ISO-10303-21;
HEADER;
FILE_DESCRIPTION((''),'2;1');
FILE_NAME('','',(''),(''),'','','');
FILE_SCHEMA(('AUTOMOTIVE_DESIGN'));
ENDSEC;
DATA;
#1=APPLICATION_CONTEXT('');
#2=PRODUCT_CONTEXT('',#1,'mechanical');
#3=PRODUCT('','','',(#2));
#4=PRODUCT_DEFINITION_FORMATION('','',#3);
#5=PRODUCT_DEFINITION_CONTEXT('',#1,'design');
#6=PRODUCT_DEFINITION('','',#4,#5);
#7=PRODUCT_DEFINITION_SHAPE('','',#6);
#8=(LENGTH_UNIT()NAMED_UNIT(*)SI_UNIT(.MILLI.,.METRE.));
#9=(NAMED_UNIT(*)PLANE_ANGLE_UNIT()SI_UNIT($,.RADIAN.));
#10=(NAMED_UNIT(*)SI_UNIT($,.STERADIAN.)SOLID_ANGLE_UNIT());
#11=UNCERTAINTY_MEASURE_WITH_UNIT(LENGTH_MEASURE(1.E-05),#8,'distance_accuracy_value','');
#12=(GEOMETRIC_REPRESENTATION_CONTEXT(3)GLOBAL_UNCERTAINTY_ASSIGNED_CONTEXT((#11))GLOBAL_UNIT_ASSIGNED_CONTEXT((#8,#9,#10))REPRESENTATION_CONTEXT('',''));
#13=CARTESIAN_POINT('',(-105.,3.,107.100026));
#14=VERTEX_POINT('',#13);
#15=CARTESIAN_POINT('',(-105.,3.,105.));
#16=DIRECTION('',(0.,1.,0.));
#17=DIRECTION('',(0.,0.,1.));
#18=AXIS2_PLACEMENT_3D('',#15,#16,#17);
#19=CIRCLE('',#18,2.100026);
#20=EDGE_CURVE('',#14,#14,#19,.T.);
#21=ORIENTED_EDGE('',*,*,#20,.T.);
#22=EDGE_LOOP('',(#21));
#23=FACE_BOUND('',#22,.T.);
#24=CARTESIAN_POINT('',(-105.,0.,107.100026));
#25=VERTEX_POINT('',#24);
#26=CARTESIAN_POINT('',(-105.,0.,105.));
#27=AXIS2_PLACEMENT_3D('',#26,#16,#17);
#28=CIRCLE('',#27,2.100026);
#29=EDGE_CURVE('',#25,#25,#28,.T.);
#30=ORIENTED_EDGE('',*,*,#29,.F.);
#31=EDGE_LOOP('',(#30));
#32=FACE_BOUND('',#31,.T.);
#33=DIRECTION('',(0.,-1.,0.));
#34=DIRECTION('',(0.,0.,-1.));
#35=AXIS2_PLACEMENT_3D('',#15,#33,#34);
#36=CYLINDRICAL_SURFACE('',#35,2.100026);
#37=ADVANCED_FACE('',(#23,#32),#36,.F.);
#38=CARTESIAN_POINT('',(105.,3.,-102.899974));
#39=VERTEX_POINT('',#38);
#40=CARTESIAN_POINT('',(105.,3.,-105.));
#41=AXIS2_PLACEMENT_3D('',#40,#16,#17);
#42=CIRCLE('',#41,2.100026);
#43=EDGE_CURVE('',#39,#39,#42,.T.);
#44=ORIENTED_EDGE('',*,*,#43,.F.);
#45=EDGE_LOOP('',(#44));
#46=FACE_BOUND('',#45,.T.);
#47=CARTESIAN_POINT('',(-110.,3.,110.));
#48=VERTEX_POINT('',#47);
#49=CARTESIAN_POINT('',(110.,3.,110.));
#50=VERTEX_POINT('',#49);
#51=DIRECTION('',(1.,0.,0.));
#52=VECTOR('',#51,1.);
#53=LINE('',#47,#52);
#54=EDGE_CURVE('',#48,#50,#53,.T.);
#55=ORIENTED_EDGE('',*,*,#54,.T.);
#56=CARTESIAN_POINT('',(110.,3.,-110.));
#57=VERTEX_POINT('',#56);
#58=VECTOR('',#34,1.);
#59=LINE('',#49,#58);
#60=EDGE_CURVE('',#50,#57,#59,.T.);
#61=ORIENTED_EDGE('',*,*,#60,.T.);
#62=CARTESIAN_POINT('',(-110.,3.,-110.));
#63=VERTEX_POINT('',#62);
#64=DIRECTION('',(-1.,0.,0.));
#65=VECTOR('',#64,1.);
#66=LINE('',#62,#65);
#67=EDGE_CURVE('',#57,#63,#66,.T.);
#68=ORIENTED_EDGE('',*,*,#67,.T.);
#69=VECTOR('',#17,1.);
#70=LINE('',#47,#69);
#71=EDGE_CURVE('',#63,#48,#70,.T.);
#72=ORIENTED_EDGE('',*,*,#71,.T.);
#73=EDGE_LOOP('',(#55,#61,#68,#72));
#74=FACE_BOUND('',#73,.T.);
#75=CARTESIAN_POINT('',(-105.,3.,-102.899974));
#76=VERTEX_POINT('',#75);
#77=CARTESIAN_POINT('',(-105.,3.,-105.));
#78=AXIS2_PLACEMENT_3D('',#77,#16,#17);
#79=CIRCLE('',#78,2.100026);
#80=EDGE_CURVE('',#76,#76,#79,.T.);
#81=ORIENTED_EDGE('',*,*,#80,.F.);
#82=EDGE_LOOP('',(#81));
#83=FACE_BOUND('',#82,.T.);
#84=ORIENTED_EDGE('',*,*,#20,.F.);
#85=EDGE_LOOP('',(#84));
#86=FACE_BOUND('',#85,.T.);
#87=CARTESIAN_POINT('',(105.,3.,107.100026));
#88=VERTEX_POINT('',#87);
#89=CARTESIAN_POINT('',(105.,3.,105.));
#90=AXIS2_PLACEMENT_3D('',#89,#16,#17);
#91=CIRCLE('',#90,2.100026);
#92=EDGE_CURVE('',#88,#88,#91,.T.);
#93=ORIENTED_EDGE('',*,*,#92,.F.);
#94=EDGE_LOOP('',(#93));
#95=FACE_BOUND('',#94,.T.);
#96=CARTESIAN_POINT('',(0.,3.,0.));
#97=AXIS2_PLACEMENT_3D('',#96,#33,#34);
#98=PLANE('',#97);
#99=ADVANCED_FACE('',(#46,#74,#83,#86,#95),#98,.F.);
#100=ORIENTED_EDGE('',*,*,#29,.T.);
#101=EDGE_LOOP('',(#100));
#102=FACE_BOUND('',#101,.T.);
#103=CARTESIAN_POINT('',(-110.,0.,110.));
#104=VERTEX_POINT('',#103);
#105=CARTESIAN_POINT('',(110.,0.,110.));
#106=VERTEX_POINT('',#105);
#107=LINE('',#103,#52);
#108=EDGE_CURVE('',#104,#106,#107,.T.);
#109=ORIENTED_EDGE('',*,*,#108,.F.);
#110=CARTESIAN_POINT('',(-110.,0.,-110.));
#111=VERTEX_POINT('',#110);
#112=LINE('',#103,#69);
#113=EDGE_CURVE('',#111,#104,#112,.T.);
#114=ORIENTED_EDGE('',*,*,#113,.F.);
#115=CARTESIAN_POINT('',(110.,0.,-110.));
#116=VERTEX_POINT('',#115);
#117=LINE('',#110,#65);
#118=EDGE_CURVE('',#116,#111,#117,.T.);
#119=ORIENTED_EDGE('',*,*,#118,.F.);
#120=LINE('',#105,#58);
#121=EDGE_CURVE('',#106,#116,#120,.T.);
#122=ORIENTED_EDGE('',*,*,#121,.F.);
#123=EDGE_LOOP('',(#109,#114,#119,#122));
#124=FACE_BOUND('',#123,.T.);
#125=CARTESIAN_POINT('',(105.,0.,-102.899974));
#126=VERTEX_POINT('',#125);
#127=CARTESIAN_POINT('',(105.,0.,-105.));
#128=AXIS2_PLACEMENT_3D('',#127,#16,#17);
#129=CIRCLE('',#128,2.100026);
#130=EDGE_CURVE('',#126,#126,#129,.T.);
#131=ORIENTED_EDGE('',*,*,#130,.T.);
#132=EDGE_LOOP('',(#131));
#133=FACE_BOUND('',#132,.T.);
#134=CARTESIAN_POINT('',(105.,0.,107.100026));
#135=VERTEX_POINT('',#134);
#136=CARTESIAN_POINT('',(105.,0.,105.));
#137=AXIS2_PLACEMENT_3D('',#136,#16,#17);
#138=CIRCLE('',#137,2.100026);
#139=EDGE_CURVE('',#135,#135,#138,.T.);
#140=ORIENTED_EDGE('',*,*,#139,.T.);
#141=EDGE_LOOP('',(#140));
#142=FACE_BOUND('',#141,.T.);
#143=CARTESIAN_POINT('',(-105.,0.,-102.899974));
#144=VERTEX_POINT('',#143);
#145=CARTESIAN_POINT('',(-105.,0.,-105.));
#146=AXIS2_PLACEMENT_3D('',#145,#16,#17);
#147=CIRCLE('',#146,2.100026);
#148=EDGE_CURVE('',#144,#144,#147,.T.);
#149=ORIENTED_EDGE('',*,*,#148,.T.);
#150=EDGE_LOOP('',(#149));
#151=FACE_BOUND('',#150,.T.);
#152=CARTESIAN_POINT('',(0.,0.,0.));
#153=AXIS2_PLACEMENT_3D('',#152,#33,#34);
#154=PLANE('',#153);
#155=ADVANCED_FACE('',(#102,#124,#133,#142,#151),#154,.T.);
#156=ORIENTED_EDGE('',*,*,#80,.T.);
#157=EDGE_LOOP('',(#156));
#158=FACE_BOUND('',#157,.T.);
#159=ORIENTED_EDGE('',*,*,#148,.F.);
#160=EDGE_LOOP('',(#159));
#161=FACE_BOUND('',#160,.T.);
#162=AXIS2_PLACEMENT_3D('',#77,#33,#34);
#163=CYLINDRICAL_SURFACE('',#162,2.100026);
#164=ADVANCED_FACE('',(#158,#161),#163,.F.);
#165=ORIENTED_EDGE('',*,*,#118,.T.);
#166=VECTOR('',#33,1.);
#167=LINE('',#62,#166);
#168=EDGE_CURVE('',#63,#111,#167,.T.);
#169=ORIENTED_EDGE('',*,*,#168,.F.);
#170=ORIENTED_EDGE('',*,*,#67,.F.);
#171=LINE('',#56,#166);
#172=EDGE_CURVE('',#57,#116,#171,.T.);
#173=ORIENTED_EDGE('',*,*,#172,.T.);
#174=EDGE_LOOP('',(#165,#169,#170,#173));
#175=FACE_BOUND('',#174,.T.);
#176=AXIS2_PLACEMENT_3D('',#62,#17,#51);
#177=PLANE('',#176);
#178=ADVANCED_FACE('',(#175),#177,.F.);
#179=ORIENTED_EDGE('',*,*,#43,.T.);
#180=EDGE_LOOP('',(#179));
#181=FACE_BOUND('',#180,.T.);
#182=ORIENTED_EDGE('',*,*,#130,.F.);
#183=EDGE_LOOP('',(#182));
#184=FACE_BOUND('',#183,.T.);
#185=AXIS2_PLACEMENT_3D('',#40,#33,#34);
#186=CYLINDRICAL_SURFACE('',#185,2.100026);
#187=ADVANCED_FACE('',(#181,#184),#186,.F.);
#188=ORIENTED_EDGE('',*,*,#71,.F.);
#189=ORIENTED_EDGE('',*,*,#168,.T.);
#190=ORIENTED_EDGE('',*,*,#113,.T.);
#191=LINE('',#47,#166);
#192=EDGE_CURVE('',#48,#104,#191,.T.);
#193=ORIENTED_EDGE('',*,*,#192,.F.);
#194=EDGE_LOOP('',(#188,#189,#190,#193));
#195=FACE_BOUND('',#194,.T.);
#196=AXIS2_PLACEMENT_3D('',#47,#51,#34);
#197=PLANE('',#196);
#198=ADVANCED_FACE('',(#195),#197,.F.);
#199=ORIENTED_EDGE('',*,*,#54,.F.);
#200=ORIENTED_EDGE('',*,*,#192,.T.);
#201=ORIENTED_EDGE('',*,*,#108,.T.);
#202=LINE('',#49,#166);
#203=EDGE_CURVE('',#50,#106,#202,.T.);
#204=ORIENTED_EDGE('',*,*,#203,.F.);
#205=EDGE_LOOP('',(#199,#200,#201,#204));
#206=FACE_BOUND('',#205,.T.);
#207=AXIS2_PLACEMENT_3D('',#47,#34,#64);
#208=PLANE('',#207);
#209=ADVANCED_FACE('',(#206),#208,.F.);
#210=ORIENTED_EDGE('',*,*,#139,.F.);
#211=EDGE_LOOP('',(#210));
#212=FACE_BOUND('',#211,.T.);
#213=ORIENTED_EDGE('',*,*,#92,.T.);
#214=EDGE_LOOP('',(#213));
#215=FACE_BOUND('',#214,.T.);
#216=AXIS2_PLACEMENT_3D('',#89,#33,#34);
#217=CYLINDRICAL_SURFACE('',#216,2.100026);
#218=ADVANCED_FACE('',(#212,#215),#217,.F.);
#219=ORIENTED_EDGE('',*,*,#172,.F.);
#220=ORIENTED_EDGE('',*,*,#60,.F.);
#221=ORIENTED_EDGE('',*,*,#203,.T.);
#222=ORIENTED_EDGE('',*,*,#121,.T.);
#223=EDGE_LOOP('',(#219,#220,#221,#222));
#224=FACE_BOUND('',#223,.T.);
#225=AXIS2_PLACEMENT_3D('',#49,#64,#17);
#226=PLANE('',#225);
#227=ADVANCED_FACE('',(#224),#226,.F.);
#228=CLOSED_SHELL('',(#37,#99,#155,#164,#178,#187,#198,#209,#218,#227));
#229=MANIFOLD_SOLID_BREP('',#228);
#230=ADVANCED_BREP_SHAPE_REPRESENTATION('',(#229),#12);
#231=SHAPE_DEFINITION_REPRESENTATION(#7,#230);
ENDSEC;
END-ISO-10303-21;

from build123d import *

# Parameters (mm, degrees)
SKETCH1_W           = 220
SKETCH1_H           = 220
SKETCH1_R           = 2.100025747
BOSS_EXTRUDE1_DEPTH = 3


with BuildPart() as part:
    # Sketch1 → Boss-Extrude1 (new body)
    with BuildSketch(Plane(origin=(0, 0, 0), x_dir=(1, 0, 0), z_dir=(0, 1, 0))):
        Rectangle(SKETCH1_W, SKETCH1_H)
        with Locations(Location((-105, 105, 0), (0, 0, 270))):
            Circle(SKETCH1_R, mode=Mode.SUBTRACT)
        with Locations(Location((105, 105, 0), (0, 0, 270))):
            Circle(SKETCH1_R, mode=Mode.SUBTRACT)
        with Locations(Location((105, -105, 0), (0, 0, 270))):
            Circle(SKETCH1_R, mode=Mode.SUBTRACT)
        with Locations(Location((-105, -105, 0), (0, 0, 270))):
            Circle(SKETCH1_R, mode=Mode.SUBTRACT)
    extrude(amount=BOSS_EXTRUDE1_DEPTH)


solid = part.part
